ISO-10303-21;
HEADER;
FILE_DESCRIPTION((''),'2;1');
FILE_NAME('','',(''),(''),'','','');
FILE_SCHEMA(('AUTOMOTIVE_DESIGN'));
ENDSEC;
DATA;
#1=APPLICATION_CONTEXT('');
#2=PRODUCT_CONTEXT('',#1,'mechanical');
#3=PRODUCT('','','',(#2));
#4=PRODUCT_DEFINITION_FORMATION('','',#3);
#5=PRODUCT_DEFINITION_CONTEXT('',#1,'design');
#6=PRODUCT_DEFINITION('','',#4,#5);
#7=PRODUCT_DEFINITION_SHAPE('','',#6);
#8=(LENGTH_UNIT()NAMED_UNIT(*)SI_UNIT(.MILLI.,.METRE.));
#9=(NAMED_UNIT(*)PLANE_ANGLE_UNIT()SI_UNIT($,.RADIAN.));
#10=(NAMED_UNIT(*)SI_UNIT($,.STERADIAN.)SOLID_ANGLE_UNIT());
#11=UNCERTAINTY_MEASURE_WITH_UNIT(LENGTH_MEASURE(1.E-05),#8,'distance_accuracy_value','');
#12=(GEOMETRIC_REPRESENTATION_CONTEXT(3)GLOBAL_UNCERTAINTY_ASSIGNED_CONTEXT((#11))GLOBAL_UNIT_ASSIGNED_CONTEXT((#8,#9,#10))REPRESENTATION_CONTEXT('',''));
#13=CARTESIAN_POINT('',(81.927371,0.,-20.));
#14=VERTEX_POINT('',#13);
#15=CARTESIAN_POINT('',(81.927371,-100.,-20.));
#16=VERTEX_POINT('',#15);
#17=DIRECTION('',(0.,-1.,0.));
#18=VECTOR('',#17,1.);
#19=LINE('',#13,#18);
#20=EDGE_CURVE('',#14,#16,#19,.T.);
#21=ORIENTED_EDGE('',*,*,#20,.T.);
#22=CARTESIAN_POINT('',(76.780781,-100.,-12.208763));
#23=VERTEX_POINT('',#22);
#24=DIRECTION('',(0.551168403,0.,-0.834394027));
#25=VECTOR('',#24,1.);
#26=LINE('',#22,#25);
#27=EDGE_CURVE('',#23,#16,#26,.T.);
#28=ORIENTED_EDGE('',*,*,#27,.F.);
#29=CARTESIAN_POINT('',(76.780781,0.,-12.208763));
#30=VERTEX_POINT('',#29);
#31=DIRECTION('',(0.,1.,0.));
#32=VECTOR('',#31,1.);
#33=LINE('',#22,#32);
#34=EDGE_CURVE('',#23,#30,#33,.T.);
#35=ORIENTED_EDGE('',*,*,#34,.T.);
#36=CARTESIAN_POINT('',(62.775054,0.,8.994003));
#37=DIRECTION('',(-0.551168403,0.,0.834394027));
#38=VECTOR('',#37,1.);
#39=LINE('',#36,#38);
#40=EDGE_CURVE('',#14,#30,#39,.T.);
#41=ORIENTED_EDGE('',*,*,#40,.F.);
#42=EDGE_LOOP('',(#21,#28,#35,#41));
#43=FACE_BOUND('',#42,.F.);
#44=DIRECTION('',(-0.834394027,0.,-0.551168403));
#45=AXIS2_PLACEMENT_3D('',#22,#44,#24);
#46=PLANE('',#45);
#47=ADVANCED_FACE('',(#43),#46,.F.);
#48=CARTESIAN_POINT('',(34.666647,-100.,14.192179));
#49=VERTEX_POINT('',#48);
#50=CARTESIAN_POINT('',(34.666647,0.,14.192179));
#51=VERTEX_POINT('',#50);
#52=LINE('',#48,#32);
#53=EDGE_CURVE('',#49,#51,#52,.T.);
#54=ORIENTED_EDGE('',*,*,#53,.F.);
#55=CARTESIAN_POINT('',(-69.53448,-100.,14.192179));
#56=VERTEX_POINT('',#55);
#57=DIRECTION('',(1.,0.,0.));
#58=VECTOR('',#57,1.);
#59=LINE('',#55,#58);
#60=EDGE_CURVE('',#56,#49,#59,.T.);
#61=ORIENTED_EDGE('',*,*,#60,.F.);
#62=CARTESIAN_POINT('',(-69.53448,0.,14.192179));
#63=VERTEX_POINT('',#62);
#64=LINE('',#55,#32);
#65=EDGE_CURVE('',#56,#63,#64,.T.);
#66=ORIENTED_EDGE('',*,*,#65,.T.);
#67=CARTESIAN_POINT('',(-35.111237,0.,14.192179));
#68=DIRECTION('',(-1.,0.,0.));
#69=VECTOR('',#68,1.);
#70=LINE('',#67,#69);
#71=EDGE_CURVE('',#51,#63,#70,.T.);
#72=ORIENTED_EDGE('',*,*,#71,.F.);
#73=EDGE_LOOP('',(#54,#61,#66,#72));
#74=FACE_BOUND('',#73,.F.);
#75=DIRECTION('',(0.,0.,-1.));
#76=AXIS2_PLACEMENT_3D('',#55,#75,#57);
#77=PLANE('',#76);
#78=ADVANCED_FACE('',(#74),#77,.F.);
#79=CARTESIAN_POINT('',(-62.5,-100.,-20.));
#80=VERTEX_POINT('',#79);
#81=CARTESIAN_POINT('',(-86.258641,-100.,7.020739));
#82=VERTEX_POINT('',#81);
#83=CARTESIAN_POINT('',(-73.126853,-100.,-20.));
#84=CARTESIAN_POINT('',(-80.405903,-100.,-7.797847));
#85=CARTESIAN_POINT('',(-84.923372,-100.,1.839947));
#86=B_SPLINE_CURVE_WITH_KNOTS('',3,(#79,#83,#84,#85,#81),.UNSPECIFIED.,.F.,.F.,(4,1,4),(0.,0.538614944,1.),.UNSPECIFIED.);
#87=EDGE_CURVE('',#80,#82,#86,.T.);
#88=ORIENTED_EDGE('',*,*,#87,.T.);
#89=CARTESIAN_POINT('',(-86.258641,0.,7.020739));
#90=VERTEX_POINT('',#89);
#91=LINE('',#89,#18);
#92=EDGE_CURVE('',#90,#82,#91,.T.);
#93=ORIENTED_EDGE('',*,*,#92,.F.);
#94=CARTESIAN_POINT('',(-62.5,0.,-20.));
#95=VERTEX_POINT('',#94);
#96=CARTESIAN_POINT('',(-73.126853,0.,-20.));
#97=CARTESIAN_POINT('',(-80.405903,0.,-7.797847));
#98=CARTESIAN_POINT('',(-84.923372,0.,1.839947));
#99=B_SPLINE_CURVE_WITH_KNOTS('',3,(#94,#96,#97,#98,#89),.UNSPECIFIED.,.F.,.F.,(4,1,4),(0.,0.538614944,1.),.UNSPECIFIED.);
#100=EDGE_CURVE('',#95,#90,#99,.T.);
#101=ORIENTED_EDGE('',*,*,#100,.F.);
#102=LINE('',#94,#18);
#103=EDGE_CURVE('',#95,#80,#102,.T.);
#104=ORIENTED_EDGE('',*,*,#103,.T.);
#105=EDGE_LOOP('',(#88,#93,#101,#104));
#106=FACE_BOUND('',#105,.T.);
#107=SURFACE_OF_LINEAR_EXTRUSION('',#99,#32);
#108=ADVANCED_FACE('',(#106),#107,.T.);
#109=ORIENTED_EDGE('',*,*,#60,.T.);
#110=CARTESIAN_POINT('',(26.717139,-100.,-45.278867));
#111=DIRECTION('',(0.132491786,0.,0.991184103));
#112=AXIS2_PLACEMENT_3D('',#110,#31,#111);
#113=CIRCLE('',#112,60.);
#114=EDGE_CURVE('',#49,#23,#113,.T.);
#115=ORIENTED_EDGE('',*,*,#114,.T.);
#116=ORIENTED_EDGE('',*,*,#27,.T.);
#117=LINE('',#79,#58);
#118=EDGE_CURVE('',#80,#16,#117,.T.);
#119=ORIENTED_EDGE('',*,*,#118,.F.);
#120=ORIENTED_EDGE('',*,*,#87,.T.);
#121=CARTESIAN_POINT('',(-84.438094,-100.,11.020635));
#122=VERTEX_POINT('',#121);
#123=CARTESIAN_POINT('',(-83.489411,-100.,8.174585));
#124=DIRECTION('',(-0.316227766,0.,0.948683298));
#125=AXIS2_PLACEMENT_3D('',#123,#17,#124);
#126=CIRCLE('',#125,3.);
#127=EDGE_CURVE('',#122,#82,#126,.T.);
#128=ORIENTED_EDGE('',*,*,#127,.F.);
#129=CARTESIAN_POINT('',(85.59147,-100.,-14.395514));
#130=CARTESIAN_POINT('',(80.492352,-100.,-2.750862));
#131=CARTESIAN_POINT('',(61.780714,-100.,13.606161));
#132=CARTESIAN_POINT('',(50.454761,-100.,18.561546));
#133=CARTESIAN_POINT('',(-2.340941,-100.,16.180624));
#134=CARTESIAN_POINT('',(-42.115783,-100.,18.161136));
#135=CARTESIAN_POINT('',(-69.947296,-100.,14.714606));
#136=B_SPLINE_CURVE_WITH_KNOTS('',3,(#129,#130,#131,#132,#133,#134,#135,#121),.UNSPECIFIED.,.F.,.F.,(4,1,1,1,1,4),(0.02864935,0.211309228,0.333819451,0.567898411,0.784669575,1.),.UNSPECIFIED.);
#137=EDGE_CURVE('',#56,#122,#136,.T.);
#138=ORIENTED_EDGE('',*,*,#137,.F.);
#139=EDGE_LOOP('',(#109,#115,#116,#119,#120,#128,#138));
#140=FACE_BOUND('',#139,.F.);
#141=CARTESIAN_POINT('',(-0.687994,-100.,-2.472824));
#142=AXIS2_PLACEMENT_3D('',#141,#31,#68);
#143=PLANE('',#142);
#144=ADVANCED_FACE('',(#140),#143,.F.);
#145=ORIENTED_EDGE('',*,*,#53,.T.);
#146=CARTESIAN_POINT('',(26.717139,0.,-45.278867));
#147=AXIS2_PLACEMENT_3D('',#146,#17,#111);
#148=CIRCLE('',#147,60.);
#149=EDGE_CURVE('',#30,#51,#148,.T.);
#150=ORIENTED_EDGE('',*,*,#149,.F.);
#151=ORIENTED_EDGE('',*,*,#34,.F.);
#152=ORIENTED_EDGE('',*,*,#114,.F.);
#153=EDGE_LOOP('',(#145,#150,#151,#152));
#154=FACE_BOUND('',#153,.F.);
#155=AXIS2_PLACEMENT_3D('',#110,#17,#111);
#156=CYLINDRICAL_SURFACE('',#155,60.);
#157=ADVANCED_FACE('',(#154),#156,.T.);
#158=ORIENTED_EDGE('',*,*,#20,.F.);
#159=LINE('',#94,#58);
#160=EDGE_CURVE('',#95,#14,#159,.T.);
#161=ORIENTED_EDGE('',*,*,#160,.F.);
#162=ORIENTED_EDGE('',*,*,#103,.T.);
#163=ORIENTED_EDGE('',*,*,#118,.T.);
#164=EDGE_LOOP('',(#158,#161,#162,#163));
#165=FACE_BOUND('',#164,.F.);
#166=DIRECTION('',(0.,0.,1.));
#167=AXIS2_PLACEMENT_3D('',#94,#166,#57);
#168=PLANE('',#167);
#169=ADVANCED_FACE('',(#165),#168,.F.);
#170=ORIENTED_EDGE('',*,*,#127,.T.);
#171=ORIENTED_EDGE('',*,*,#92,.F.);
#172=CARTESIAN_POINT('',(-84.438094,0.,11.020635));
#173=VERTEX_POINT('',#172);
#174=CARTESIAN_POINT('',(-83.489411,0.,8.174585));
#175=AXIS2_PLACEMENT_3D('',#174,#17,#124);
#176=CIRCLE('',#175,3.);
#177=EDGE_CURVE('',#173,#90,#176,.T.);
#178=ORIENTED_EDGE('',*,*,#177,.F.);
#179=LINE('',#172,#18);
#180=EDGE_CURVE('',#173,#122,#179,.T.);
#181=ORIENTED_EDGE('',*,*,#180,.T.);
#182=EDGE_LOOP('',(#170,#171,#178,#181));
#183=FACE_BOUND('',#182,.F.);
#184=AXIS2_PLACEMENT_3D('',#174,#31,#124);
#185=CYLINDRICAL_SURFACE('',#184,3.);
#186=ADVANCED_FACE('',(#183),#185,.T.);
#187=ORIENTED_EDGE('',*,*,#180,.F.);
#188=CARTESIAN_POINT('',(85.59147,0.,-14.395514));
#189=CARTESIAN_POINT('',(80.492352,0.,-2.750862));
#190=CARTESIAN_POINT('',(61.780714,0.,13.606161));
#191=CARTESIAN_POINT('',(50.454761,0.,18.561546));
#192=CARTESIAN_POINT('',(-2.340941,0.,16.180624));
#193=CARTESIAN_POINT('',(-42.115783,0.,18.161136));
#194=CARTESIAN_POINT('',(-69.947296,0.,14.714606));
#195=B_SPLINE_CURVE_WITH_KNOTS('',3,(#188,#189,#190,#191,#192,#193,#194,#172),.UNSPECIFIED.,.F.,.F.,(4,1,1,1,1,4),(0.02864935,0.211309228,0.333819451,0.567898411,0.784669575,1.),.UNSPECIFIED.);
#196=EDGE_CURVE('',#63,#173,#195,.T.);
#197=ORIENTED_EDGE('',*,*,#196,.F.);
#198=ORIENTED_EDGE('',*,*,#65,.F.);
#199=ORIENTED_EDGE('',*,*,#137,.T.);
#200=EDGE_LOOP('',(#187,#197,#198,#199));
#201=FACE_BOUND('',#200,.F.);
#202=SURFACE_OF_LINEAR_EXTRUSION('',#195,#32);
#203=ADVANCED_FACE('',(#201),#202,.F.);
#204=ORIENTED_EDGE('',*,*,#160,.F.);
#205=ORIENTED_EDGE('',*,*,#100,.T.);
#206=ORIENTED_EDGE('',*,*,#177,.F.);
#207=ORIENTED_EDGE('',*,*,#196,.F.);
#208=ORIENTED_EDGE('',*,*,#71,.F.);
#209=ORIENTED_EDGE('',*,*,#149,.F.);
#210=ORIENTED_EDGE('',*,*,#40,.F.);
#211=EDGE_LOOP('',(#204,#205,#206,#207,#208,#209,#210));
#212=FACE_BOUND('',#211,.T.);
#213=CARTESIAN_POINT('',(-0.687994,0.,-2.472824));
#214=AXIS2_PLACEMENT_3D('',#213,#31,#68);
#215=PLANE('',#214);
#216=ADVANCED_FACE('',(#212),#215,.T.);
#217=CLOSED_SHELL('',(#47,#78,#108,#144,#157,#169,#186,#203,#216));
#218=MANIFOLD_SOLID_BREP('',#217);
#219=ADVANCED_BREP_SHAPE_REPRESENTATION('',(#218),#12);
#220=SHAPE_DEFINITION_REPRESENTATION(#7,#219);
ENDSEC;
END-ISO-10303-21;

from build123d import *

# Parameters (mm, degrees)
F1_DEPTH = 100
F3_DEPTH = 100.0010001


with BuildPart() as f1:
    # F0 (on Front) → F1 (new body)
    with BuildSketch(Plane.XZ):
        with BuildLine():
            add(Edge.make_bspline(
                [(-62.5, -20), (-73.1268525124, -20), (-80.4059031562, -7.7978468302), (-84.9233715293, 1.839947371), (-86.2586413814, 7.0207393153)],
                knots=[0, 0, 0, 0, 0.5386149438, 1, 1, 1, 1], degree=3))
            Line((-62.5, -20), (81.9273708606, -20))
            ThreePointArc((81.9273708606, -20), (85.2753510448, -18.1888418596), (85.5914704468, -14.3955143432))
            add(Edge.make_bspline(
                [(85.5914704468, -14.3955143432), (80.4923521492, -2.7508622611), (61.7807143057, 13.6061614536), (50.4547609094, 18.5615463365), (-2.3409408703, 16.1806235265), (-42.1157825532, 18.1611356538), (-69.9472957559, 14.7146056584), (-84.4380939102, 11.0206353633)],
                knots=[0.0286493497, 0.0286493497, 0.0286493497, 0.0286493497, 0.2113092276, 0.3338194515, 0.5678984107, 0.7846695753, 1, 1, 1, 1], degree=3))
            ThreePointArc((-84.4380939102, 11.0206353633), (-86.219889206, 9.4173592411), (-86.2586413814, 7.0207393153))
        make_face()
    extrude(amount=F1_DEPTH)

    # F2 (on face) → F3 (cut, through all)
    with BuildSketch(Plane.XZ.offset(100)):
        with BuildLine():
            Line((76.7807810103, -12.2087626863), (81.9273708606, -20))
            Line((81.9273708606, -20), (89.4811376929, -23.3435314149))
            Line((89.4811376929, -23.3435314149), (91.3648977876, -5.6361360475))
            Line((91.3648977876, -5.6361360475), (72.1504986286, 22.6203482598))
            Line((72.1504986286, 22.6203482598), (18.2747989893, 25.8227474988))
            Line((18.2747989893, 25.8227474988), (-74.9715939164, 17.3458047211))
            Line((-74.9715939164, 17.3458047211), (-69.5344796887, 14.1921793268))
            Line((-69.5344796887, 14.1921793268), (34.6666465938, 14.1921793268))
            ThreePointArc((34.6666465938, 14.1921793268), (58.5861493226, 5.5577951747), (76.7807810103, -12.2087626863))
        make_face()
    extrude(amount=-F3_DEPTH, mode=Mode.SUBTRACT)


solid = f1.part
